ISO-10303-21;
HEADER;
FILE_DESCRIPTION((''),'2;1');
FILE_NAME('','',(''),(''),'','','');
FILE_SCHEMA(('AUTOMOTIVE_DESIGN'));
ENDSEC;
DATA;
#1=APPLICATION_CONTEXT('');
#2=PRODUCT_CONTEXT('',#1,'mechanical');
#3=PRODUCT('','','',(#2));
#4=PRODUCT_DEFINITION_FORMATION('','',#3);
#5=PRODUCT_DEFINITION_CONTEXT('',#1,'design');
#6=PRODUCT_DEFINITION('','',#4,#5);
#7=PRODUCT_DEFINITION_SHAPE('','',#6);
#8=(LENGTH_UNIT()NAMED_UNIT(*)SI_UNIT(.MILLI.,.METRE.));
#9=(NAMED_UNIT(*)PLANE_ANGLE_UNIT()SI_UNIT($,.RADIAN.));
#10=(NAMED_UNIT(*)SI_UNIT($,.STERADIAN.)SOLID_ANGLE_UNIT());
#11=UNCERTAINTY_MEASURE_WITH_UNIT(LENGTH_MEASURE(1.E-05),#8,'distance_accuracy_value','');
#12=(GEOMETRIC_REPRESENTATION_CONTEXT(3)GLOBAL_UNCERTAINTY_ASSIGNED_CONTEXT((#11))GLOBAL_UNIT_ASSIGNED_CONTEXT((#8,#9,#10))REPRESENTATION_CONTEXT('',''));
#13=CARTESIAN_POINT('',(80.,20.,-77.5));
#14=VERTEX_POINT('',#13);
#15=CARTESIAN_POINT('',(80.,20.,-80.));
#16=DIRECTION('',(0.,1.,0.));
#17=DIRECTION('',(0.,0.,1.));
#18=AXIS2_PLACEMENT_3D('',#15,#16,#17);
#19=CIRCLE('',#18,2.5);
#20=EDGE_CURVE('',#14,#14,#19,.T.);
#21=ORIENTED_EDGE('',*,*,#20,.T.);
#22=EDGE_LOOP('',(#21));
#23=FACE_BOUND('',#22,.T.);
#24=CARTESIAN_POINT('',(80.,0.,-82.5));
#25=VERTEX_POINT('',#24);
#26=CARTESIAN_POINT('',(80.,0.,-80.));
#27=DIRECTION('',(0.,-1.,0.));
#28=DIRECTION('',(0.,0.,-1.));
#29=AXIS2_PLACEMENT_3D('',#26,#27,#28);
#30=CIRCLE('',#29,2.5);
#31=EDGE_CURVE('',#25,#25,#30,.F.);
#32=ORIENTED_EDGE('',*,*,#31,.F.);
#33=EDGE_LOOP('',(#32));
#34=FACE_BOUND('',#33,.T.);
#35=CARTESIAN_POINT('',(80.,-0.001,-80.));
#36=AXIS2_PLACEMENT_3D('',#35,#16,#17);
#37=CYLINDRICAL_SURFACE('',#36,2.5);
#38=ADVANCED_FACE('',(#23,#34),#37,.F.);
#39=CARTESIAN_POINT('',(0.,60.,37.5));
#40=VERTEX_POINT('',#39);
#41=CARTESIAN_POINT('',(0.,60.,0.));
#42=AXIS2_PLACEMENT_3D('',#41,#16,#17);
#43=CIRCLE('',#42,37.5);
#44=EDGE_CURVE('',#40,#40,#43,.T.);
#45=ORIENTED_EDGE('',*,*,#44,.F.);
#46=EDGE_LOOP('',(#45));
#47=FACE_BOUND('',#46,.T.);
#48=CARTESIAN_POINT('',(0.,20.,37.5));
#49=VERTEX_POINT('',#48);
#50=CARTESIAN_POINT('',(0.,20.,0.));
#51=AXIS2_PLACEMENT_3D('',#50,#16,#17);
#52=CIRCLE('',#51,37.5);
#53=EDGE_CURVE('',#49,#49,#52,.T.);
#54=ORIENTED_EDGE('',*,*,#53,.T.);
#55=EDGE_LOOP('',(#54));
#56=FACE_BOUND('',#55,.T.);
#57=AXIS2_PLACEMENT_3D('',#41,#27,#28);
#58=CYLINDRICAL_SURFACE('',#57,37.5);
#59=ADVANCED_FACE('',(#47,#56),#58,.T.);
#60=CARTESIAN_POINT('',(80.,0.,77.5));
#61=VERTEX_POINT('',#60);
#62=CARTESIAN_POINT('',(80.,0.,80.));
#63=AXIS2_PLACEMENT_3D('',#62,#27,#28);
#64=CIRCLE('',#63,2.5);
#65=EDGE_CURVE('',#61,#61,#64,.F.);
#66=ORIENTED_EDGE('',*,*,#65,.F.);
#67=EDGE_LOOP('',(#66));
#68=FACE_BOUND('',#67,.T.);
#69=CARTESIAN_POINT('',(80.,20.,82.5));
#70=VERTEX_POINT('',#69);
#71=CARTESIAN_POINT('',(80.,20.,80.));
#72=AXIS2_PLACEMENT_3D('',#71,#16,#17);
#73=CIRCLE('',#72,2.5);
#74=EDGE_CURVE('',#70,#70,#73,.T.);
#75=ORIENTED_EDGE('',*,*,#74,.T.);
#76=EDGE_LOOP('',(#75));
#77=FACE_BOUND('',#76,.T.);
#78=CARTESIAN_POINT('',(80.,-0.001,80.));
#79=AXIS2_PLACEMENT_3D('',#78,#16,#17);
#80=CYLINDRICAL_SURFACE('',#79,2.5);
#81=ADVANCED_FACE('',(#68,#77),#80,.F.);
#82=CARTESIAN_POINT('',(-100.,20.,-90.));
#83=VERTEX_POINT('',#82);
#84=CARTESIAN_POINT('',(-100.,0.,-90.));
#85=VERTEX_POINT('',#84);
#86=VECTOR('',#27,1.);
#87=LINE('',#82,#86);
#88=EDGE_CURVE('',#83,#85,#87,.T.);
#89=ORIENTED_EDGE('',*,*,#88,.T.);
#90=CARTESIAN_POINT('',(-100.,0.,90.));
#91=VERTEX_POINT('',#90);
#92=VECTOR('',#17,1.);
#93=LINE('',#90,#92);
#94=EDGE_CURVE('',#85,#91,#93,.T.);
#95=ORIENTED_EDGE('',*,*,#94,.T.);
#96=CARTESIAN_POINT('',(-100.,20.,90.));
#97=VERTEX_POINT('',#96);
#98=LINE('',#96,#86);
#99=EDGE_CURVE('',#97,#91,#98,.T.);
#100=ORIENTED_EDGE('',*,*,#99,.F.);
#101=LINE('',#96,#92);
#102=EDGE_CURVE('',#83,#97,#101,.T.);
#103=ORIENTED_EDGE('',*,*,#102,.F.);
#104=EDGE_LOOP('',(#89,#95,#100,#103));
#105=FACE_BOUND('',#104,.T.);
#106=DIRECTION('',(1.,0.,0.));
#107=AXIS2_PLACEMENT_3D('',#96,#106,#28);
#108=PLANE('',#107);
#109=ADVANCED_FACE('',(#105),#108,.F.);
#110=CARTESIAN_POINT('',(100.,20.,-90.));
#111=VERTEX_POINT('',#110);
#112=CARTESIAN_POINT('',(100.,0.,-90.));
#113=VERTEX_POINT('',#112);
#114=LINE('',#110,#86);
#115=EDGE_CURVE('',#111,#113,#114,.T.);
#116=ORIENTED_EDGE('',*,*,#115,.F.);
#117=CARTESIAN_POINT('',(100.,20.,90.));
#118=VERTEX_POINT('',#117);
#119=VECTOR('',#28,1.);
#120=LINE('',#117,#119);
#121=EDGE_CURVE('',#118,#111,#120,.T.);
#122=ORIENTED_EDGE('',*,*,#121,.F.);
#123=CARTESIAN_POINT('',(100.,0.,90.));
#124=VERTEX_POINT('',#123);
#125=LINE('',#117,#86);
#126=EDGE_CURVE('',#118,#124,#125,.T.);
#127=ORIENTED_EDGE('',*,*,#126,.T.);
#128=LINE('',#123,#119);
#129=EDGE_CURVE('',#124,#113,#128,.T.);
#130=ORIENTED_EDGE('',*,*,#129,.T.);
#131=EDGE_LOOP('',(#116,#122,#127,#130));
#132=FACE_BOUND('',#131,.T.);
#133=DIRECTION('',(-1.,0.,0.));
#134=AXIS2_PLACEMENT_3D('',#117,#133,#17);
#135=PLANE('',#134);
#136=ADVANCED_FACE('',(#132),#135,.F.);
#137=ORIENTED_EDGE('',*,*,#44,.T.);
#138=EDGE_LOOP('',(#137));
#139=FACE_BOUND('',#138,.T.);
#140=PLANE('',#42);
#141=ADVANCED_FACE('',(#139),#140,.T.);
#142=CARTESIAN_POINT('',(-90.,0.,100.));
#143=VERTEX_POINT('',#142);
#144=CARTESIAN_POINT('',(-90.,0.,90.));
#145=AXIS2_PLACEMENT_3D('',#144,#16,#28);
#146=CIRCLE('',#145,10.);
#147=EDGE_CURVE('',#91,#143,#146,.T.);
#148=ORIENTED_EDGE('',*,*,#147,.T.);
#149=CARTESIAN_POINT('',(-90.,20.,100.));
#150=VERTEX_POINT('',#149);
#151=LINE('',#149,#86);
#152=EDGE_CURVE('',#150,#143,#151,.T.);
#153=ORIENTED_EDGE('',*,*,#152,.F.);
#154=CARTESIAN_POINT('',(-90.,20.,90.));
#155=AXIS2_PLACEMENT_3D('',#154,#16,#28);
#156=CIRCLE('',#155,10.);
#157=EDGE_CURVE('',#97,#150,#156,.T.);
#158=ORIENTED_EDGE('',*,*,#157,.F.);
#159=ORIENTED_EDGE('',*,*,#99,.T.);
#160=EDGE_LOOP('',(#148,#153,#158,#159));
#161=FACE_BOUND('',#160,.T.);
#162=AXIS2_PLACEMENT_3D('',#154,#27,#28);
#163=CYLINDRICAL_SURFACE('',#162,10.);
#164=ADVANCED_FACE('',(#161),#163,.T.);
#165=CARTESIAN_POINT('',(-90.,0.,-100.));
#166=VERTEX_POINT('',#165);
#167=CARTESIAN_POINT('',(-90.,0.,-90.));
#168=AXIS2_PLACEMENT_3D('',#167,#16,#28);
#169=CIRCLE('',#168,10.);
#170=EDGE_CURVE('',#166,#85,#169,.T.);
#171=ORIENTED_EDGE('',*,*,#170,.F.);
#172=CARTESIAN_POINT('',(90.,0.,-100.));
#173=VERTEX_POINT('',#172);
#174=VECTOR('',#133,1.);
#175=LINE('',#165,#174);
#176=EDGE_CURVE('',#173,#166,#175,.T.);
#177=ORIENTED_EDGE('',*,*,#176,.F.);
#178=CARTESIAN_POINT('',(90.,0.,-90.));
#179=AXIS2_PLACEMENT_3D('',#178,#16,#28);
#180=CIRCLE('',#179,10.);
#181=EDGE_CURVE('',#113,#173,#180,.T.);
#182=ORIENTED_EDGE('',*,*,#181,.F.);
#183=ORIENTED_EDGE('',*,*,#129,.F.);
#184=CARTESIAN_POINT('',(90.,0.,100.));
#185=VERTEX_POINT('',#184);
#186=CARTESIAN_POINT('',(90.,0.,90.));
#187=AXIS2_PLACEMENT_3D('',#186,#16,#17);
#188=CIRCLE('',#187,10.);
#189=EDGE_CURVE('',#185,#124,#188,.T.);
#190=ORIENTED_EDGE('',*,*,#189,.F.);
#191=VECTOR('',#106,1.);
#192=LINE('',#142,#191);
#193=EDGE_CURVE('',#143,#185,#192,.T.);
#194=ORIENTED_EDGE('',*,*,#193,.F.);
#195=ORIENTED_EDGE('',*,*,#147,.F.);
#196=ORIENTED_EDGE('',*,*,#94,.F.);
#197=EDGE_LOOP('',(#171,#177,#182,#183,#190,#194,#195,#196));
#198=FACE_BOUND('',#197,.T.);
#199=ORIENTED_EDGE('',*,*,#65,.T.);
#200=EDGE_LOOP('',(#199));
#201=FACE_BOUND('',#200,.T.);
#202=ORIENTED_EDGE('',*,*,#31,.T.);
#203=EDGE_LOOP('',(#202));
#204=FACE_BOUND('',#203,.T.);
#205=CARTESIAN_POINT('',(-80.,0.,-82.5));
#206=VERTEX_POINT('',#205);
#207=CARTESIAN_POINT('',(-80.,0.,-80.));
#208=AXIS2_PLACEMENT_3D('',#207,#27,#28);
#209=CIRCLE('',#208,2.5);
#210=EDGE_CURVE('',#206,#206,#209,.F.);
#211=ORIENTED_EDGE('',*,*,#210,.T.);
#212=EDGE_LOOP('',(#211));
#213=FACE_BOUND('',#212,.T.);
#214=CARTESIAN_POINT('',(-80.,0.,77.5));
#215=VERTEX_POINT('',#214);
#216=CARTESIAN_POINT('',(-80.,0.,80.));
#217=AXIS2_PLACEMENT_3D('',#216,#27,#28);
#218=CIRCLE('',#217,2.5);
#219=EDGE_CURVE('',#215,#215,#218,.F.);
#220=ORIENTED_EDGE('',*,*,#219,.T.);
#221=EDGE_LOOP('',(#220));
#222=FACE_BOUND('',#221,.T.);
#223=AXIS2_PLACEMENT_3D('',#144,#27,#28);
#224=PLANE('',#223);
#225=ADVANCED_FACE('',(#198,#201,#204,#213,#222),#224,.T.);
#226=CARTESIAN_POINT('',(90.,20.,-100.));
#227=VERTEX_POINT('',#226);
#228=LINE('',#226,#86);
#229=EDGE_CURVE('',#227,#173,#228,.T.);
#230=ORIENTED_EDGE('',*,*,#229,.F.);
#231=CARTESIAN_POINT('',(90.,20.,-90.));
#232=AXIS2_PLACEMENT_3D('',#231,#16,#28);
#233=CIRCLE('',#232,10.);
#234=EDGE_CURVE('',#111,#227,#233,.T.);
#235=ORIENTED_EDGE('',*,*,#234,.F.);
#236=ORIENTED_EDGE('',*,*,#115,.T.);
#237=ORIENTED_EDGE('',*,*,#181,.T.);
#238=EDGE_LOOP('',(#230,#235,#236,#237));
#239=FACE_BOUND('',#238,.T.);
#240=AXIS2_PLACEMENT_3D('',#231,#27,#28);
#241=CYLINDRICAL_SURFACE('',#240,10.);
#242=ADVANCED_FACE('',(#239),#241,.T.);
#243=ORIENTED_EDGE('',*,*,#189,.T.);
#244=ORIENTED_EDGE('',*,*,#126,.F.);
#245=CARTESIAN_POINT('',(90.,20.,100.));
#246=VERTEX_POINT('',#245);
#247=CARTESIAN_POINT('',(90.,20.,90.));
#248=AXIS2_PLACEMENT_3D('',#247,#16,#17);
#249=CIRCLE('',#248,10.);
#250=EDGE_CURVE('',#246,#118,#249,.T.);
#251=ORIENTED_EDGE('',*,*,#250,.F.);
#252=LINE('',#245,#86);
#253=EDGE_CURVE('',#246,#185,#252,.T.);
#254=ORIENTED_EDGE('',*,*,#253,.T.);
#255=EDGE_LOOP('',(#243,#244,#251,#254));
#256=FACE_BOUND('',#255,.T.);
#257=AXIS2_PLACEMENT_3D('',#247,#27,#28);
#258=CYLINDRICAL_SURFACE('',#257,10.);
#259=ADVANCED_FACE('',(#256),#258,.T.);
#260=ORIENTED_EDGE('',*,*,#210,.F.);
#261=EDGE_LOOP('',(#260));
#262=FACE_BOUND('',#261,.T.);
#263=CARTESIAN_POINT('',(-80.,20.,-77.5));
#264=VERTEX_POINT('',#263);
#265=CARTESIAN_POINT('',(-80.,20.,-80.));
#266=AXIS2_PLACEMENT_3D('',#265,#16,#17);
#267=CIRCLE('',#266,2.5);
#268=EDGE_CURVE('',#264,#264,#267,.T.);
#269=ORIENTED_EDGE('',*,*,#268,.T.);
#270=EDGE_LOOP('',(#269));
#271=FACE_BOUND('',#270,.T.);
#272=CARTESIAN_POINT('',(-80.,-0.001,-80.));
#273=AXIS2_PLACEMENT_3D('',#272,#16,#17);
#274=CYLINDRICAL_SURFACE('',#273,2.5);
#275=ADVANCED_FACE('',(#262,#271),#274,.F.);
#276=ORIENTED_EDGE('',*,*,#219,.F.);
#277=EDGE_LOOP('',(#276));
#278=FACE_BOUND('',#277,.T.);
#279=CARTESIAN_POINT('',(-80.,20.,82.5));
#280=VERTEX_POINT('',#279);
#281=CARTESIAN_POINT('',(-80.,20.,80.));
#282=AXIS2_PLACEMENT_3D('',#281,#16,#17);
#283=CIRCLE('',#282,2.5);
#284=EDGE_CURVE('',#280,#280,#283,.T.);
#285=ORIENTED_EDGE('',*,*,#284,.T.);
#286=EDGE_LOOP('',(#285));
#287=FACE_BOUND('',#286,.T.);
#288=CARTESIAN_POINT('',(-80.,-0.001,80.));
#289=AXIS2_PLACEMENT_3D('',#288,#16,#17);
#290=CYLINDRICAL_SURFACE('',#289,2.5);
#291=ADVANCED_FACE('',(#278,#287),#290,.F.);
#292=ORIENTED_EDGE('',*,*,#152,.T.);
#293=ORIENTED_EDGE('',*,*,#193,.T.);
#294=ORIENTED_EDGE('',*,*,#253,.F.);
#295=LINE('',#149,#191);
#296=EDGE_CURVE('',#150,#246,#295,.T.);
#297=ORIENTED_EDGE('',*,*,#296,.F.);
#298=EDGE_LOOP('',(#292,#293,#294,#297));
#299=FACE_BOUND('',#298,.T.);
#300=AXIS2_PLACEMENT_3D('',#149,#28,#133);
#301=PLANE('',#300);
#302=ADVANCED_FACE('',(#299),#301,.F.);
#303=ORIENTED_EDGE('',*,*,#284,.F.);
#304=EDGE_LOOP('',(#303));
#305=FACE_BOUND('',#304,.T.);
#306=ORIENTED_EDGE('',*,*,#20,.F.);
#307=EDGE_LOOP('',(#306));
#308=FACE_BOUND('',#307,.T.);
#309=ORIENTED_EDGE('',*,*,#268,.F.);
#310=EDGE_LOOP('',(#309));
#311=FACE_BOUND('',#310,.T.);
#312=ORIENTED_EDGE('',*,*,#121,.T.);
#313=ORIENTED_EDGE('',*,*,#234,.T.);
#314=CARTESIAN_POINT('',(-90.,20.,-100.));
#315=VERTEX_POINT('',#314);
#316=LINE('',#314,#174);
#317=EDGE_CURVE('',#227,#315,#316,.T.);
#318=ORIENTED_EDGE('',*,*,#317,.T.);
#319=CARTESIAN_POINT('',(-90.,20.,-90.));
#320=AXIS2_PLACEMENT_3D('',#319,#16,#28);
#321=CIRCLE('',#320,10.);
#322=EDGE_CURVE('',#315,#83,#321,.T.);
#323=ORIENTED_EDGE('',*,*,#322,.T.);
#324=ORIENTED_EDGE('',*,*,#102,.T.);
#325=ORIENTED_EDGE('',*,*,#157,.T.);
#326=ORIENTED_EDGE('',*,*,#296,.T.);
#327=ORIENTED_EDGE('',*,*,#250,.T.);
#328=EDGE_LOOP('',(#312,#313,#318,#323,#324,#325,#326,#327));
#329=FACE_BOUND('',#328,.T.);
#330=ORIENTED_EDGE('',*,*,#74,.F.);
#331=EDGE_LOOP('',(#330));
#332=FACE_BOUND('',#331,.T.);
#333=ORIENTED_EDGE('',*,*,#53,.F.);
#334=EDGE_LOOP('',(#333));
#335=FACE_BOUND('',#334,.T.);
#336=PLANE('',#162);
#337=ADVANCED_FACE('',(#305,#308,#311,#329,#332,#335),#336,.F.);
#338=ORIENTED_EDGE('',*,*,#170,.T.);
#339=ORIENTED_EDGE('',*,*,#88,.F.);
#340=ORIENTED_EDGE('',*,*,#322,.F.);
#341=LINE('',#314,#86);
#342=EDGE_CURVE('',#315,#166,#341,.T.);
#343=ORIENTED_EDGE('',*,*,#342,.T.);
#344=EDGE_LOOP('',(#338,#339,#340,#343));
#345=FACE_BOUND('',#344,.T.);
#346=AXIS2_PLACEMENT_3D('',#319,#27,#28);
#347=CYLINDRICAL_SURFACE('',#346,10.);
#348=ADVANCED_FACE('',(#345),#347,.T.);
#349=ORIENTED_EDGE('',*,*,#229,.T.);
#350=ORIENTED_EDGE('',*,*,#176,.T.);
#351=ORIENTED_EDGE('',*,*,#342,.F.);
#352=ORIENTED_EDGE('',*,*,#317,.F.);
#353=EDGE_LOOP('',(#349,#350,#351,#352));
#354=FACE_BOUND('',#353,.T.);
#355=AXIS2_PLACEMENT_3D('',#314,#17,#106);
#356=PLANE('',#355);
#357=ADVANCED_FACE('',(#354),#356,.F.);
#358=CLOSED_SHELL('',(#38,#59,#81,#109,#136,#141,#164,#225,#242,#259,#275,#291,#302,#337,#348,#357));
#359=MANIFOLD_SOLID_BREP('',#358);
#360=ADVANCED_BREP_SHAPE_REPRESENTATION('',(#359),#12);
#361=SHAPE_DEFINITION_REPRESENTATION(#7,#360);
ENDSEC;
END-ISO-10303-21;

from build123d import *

# Parameters (mm, degrees)
BOSS_EXTRUDE1_DEPTH = 20
SKETCH2_R           = 37.5
BOSS_EXTRUDE2_DEPTH = 40
CUT_EXTRUDE1_REACH  = 148.969
SKETCH3_R           = 2.5


with BuildPart() as part:
    # Sketch1 → Boss-Extrude1 (new body)
    with BuildSketch(Plane(origin=(0, 0, 0), x_dir=(1, 0, 0), z_dir=(0, 1, 0))):
        with BuildLine():
            Line((-90, -100), (90, -100))
            ThreePointArc((90, -100), (97.071067812, -97.071067812), (100, -90))
            Line((100, -90), (100, 90))
            ThreePointArc((100, 90), (97.071067812, 97.071067812), (90, 100))
            Line((90, 100), (-90, 100))
            ThreePointArc((-90, 100), (-97.071067812, 97.071067812), (-100, 90))
            Line((-100, 90), (-100, -90))
            ThreePointArc((-100, -90), (-97.071067812, -97.071067812), (-90, -100))
        make_face()
    extrude(amount=BOSS_EXTRUDE1_DEPTH)

    # Sketch2 → Boss-Extrude2 (add)
    with BuildSketch(Plane(origin=(0, 20, 0), x_dir=(1, 0, 0), z_dir=(0, 1, 0))):
        with Locations(Location((0, 0, 0), (0, 0, 270))):
            Circle(SKETCH2_R)
    extrude(amount=BOSS_EXTRUDE2_DEPTH)

    # Sketch3 → Cut-Extrude1 (cut, up to next)
    with BuildSketch(Plane(origin=(0, 20, 0), x_dir=(1, 0, 0), z_dir=(0, 1, 0)), mode=Mode.PRIVATE) as cut_extrude1_sk1:
        with Locations(Location((-80, 80, 0), (0, 0, 270))):
            Circle(SKETCH3_R)
    cut_extrude1_tool1 = extrude(cut_extrude1_sk1.sketch, amount=-CUT_EXTRUDE1_REACH, mode=Mode.PRIVATE) & part.part
    # Sketch3 → Cut-Extrude1 (cut, up to next)
    with BuildSketch(Plane(origin=(0, 20, 0), x_dir=(1, 0, 0), z_dir=(0, 1, 0)), mode=Mode.PRIVATE) as cut_extrude1_sk2:
        with Locations(Location((80, 80, 0), (0, 0, 270))):
            Circle(SKETCH3_R)
    cut_extrude1_tool2 = extrude(cut_extrude1_sk2.sketch, amount=-CUT_EXTRUDE1_REACH, mode=Mode.PRIVATE) & part.part
    # Sketch3 → Cut-Extrude1 (cut, up to next)
    with BuildSketch(Plane(origin=(0, 20, 0), x_dir=(1, 0, 0), z_dir=(0, 1, 0)), mode=Mode.PRIVATE) as cut_extrude1_sk3:
        with Locations(Location((80, -80, 0), (0, 0, 270))):
            Circle(SKETCH3_R)
    cut_extrude1_tool3 = extrude(cut_extrude1_sk3.sketch, amount=-CUT_EXTRUDE1_REACH, mode=Mode.PRIVATE) & part.part
    # Sketch3 → Cut-Extrude1 (cut, up to next)
    with BuildSketch(Plane(origin=(0, 20, 0), x_dir=(1, 0, 0), z_dir=(0, 1, 0)), mode=Mode.PRIVATE) as cut_extrude1_sk4:
        with Locations(Location((-80, -80, 0), (0, 0, 270))):
            Circle(SKETCH3_R)
    cut_extrude1_tool4 = extrude(cut_extrude1_sk4.sketch, amount=-CUT_EXTRUDE1_REACH, mode=Mode.PRIVATE) & part.part
    add(cut_extrude1_tool1.solids().sort_by_distance((-80, 20, -80))[0], mode=Mode.SUBTRACT)
    add(cut_extrude1_tool2.solids().sort_by_distance((80, 20, -80))[0], mode=Mode.SUBTRACT)
    add(cut_extrude1_tool3.solids().sort_by_distance((80, 20, 80))[0], mode=Mode.SUBTRACT)
    add(cut_extrude1_tool4.solids().sort_by_distance((-80, 20, 80))[0], mode=Mode.SUBTRACT)


solid = part.part
